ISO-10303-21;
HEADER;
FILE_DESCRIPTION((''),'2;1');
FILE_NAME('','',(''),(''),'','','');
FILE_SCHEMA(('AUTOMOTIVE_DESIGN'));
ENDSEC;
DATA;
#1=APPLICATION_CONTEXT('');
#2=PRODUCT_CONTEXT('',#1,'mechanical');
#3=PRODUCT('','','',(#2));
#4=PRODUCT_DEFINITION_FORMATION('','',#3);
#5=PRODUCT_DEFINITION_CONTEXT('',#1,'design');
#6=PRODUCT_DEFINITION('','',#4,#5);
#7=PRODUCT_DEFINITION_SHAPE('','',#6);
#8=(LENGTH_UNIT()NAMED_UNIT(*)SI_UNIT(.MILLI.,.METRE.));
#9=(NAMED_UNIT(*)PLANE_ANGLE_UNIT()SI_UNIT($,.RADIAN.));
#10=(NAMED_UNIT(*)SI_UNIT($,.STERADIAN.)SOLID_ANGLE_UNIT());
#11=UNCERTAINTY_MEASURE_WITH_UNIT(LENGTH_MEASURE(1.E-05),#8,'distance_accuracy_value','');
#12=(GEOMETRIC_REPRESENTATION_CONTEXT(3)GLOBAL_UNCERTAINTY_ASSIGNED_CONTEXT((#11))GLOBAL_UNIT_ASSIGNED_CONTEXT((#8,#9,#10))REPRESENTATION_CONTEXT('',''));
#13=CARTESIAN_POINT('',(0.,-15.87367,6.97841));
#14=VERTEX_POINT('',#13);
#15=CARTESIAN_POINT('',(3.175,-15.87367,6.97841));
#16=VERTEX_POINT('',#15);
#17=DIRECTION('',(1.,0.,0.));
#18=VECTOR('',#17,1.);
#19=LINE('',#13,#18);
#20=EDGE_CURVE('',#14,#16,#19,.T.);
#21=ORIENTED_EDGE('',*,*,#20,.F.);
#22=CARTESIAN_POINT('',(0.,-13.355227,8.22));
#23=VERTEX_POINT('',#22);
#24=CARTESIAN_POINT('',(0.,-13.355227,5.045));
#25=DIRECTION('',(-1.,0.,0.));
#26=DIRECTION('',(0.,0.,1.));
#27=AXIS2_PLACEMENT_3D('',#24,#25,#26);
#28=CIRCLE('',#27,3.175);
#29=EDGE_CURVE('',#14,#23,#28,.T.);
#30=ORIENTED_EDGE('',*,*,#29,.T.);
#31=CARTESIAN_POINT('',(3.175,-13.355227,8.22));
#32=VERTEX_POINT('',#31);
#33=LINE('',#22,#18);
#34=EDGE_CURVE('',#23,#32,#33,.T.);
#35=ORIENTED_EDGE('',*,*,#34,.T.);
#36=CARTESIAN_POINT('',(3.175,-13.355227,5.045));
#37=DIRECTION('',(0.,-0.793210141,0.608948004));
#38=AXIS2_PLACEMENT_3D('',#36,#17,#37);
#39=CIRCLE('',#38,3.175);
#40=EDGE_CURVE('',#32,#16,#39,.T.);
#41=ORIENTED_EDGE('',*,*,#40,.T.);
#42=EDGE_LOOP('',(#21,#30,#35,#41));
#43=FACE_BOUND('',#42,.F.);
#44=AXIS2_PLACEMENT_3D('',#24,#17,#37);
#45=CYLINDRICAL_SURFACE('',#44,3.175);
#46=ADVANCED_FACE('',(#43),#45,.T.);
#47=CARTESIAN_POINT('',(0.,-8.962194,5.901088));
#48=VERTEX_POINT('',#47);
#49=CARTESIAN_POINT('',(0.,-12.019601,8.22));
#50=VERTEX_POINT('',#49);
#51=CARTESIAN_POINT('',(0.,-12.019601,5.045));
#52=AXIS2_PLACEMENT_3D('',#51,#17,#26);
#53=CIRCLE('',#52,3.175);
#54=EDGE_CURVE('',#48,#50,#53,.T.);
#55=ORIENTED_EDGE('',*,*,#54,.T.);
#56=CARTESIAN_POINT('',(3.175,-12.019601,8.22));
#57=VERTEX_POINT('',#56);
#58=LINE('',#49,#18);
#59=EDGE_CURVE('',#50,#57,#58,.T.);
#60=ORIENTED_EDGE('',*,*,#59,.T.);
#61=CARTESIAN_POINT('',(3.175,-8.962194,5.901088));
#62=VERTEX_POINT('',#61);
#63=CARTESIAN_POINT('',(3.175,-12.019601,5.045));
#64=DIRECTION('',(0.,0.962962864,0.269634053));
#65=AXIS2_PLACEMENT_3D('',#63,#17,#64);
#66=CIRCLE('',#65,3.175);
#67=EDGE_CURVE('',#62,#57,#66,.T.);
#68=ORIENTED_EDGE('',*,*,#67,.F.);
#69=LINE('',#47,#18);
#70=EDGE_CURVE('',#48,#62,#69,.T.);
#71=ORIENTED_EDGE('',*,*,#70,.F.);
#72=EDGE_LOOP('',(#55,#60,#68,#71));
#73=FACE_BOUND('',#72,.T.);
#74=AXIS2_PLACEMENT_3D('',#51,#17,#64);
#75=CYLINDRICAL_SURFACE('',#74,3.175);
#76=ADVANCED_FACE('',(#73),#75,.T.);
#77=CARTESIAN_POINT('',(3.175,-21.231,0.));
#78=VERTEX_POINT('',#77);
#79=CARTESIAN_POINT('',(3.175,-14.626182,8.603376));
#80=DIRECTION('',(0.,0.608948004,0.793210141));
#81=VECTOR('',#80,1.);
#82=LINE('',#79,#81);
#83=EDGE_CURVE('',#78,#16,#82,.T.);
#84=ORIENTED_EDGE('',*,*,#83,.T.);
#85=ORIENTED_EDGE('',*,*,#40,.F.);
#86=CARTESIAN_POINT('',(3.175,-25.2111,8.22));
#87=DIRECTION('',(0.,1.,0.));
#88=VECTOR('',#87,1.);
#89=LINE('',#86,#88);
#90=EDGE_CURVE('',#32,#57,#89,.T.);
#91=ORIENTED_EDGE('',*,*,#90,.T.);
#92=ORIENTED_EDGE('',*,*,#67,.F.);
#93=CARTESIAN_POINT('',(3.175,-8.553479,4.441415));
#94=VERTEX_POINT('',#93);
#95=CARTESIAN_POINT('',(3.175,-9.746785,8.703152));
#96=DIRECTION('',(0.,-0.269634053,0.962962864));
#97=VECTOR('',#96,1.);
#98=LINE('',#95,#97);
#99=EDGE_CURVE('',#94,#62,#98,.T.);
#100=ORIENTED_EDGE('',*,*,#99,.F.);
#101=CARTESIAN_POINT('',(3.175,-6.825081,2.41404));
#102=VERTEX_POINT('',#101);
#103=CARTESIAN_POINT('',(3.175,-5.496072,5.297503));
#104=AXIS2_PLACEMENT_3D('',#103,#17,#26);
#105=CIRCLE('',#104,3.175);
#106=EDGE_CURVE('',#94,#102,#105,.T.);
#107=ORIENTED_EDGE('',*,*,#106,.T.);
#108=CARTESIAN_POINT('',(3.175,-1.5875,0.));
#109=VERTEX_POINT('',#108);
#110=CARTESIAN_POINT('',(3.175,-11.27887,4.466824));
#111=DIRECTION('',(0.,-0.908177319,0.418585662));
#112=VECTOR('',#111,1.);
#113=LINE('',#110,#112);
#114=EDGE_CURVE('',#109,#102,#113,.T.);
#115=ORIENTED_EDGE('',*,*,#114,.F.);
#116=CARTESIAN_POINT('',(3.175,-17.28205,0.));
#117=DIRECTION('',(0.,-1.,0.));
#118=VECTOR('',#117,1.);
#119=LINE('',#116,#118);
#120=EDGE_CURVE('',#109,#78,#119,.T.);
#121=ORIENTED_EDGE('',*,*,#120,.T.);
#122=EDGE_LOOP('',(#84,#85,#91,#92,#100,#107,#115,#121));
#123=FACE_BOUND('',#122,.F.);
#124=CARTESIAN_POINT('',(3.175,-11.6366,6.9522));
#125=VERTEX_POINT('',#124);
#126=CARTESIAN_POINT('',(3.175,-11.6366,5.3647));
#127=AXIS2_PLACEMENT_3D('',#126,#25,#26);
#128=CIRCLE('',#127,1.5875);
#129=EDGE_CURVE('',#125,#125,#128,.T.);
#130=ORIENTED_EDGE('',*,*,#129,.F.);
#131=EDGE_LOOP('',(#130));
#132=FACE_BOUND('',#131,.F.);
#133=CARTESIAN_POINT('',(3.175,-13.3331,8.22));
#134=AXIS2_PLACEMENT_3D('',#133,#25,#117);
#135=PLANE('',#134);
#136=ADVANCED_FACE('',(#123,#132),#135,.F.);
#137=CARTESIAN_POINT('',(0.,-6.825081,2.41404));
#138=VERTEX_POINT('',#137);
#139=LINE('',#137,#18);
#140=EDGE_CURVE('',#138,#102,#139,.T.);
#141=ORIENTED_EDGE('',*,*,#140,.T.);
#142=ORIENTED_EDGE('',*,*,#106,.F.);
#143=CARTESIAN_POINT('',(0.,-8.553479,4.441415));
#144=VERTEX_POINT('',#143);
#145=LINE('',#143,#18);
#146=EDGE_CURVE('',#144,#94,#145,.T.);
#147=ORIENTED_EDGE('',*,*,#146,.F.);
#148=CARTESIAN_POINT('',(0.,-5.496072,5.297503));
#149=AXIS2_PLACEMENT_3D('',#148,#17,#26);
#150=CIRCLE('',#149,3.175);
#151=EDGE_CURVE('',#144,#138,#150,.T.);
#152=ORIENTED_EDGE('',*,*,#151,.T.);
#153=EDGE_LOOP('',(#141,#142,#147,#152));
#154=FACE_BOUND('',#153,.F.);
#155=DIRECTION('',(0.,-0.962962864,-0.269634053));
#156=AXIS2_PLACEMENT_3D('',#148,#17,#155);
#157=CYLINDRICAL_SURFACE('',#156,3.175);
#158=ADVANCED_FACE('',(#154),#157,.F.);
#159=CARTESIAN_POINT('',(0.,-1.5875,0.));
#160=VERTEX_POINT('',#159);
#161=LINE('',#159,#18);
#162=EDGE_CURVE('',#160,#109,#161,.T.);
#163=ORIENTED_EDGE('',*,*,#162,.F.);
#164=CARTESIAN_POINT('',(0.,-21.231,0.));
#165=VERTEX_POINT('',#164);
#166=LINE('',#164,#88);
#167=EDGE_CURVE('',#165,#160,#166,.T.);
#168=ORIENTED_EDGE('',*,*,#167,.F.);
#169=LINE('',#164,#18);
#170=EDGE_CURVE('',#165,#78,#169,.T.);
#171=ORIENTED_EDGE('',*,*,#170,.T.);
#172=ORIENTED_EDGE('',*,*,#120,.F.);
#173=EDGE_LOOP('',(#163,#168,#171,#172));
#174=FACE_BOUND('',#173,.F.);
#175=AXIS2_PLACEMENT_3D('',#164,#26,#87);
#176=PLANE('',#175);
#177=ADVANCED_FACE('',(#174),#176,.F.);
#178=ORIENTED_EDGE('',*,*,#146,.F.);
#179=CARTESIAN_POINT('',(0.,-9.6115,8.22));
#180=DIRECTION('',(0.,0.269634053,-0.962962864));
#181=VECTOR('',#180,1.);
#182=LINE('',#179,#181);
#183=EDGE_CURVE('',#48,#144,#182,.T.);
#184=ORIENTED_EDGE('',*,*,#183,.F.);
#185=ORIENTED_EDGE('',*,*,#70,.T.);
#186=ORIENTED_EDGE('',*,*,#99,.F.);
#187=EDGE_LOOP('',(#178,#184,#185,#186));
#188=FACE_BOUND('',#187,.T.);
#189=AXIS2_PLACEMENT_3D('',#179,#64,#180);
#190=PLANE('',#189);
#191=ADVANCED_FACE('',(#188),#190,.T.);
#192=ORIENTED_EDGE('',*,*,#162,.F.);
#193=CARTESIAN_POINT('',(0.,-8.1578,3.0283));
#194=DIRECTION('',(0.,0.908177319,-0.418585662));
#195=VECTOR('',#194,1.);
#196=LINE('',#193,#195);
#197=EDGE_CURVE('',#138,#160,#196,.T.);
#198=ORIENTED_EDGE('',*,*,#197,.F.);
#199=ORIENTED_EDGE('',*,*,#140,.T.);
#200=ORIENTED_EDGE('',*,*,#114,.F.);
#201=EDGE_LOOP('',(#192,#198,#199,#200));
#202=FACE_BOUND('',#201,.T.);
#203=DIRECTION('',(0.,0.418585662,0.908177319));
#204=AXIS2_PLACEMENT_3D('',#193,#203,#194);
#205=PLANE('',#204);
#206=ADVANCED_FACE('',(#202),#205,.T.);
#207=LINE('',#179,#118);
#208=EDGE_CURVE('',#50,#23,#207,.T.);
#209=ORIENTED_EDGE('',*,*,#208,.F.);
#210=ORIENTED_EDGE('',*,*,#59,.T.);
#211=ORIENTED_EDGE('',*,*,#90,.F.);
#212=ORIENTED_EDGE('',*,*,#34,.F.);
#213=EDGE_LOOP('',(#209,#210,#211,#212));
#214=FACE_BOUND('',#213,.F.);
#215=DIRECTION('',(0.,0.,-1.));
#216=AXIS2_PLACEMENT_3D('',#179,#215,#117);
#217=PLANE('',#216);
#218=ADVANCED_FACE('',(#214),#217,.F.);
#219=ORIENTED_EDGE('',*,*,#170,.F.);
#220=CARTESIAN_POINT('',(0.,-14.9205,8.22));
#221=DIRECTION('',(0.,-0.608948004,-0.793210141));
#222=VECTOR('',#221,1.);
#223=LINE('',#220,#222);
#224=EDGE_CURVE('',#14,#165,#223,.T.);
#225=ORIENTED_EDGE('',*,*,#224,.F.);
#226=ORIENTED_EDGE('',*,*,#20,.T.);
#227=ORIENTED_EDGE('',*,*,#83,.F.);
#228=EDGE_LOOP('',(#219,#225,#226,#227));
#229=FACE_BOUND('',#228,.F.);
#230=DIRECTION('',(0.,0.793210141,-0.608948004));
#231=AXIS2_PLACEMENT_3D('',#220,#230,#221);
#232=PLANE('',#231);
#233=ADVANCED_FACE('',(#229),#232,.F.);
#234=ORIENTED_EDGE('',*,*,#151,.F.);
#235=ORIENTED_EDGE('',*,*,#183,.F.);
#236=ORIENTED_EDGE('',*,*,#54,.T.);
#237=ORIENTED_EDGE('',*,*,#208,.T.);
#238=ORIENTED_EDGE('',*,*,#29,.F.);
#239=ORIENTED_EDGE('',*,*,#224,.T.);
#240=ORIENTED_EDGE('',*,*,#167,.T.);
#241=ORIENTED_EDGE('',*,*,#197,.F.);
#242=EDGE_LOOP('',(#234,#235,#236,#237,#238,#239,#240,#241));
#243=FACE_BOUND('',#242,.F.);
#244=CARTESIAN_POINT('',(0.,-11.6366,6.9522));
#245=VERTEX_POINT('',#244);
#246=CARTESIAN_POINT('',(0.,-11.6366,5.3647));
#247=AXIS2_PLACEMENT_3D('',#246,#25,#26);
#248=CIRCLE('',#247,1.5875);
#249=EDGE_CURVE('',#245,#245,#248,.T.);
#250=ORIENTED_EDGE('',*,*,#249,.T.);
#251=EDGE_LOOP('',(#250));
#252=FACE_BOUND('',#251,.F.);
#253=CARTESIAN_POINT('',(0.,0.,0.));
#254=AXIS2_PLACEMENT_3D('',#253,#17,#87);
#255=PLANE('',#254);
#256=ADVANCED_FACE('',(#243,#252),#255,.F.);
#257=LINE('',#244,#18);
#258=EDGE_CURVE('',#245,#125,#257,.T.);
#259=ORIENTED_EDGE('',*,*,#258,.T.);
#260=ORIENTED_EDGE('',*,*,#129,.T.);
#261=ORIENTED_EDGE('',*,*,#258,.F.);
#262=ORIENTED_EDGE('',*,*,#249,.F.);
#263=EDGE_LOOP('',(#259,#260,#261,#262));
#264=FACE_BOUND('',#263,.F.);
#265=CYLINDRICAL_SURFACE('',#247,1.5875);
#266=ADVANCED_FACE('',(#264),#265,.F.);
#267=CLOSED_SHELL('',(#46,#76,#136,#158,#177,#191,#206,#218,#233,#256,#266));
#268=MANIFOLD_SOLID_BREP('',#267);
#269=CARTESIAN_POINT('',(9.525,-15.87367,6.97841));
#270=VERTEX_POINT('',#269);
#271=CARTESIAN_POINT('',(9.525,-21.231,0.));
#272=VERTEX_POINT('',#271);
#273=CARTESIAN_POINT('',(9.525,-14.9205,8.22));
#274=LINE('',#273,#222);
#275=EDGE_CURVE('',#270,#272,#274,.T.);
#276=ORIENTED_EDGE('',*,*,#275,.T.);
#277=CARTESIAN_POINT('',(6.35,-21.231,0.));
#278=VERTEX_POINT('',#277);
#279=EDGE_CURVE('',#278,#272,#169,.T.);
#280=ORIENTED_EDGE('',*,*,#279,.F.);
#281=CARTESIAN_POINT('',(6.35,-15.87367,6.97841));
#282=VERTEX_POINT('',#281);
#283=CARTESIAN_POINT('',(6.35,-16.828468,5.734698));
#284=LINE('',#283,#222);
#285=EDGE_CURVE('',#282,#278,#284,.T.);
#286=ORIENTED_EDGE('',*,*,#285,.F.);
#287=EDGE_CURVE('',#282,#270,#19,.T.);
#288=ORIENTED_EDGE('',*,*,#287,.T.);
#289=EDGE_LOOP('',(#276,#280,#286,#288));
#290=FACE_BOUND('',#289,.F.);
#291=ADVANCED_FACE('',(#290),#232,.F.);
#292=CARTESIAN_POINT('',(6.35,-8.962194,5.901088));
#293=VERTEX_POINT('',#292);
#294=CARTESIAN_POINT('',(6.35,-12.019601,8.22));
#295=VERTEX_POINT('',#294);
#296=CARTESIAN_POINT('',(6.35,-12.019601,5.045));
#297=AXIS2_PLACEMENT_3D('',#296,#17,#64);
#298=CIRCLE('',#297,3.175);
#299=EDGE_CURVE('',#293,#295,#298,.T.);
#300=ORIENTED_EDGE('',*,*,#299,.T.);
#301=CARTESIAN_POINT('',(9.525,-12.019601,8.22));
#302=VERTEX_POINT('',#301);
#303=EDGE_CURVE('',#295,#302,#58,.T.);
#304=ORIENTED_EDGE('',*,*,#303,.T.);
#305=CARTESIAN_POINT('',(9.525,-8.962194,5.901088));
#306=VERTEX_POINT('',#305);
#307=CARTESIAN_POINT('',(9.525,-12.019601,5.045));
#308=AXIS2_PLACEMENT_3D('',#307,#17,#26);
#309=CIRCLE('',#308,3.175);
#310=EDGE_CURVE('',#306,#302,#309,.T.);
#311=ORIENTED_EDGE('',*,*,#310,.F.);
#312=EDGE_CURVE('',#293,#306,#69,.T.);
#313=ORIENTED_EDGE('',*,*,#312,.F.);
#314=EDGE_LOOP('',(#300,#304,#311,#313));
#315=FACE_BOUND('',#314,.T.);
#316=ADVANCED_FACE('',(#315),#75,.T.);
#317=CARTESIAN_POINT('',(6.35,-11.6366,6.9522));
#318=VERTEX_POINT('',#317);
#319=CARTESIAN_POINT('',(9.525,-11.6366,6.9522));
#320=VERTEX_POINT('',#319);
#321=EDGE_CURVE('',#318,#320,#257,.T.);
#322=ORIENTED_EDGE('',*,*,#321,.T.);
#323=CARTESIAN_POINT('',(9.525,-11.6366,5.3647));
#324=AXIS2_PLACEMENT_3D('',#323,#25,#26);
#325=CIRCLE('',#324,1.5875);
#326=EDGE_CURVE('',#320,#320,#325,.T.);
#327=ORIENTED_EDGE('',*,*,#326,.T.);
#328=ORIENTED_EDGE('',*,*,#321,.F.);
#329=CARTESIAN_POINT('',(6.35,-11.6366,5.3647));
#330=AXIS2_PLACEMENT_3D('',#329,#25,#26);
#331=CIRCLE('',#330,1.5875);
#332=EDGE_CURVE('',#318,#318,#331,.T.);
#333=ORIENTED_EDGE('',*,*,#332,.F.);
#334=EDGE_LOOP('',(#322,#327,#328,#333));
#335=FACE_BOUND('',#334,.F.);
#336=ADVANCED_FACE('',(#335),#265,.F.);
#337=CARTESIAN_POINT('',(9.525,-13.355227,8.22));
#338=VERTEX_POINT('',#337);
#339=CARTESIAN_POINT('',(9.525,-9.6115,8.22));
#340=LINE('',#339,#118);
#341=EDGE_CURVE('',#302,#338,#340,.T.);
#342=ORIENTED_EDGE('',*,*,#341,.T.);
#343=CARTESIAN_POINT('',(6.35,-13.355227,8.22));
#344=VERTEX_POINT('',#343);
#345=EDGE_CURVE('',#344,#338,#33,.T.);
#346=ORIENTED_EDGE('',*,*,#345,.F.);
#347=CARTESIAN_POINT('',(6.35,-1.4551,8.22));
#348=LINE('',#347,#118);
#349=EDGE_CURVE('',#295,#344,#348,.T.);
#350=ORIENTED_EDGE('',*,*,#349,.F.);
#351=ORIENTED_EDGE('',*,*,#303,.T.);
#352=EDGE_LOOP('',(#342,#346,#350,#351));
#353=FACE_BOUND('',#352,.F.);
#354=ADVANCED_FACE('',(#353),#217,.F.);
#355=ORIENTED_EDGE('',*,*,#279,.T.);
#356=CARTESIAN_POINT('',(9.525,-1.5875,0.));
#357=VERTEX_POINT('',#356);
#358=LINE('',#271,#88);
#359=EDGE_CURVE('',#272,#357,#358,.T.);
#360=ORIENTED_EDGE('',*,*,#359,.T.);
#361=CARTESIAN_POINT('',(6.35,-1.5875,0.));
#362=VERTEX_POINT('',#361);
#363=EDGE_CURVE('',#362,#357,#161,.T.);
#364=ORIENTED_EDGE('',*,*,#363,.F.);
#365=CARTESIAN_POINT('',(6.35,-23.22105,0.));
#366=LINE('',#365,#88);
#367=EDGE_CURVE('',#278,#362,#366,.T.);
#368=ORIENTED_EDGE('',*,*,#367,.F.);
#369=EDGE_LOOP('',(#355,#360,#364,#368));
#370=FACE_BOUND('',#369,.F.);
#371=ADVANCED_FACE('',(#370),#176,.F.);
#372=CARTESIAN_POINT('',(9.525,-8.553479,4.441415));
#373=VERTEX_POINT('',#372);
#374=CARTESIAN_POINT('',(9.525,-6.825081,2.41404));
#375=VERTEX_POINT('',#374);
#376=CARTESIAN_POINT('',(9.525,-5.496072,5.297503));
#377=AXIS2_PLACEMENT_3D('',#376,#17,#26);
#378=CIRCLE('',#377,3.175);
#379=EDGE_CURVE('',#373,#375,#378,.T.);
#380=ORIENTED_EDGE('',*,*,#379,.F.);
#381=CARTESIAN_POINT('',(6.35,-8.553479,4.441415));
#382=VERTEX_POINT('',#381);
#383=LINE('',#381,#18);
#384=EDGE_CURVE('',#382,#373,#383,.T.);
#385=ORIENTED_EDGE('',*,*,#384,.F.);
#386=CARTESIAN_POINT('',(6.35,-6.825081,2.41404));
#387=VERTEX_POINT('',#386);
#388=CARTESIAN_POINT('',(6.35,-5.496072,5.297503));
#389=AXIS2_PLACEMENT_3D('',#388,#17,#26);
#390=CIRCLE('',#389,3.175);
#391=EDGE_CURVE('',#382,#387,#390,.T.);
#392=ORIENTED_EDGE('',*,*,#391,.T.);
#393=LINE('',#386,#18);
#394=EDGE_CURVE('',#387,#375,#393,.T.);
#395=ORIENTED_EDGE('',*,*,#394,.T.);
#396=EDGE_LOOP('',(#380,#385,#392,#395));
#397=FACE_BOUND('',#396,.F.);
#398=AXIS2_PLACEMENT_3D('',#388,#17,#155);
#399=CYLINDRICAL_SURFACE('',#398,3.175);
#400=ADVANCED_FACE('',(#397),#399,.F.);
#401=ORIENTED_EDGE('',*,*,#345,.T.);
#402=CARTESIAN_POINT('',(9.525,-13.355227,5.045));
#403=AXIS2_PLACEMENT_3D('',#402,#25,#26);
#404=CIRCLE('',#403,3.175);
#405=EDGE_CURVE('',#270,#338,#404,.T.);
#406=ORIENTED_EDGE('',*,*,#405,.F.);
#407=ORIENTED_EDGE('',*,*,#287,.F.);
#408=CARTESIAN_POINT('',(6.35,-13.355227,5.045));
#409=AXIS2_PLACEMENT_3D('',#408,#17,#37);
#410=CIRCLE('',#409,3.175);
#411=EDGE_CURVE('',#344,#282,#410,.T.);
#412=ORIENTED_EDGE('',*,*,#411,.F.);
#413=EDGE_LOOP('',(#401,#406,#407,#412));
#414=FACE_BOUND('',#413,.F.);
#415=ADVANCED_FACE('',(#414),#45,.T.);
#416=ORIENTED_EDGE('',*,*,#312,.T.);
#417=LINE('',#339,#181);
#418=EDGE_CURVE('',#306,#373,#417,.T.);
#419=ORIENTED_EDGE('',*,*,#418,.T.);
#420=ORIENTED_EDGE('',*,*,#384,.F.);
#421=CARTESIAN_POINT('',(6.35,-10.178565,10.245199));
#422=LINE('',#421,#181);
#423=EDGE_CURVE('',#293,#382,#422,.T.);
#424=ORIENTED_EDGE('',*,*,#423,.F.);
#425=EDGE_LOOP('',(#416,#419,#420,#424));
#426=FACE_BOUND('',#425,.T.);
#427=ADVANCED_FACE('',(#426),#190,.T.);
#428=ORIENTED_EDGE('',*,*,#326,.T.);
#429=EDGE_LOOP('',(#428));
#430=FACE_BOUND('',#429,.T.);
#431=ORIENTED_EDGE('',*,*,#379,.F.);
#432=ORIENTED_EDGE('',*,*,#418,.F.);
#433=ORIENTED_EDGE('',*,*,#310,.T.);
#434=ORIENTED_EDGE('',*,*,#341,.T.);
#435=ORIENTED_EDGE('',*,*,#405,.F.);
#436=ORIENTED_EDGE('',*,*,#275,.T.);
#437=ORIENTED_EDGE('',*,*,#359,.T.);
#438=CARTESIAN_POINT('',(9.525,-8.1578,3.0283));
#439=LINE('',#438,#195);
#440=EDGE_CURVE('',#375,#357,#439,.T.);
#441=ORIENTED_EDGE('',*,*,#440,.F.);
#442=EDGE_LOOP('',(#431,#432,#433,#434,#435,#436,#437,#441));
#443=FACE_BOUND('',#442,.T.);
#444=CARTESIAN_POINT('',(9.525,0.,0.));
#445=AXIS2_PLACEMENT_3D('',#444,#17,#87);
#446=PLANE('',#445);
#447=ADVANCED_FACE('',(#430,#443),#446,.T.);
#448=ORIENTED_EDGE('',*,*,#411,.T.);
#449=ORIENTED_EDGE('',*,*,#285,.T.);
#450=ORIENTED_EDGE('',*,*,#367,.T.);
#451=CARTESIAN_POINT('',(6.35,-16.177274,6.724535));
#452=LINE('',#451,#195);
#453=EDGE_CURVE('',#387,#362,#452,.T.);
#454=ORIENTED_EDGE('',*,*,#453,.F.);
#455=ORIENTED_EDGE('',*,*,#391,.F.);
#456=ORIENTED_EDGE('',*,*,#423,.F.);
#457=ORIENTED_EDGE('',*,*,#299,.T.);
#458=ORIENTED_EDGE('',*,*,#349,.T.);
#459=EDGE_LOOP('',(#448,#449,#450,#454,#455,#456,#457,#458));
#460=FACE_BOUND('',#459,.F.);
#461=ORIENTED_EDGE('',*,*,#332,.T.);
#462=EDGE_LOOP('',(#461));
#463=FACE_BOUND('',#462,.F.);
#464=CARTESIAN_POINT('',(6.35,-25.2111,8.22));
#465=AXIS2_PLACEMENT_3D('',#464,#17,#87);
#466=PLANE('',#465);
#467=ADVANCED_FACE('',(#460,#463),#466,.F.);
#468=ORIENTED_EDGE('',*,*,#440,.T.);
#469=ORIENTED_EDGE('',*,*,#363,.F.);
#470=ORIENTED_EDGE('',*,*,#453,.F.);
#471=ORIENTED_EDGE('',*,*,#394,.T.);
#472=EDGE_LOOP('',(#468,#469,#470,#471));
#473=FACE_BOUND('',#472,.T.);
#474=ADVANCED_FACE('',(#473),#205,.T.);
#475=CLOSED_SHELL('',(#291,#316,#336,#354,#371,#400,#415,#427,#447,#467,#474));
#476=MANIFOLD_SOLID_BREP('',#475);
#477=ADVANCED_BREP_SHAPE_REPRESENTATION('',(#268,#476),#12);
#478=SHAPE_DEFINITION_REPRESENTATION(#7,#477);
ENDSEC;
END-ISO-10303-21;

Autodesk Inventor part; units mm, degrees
ref_plane "YZ Plane" through (0, 0, 0) normal (1, 0, 0) x (0, 1, 0)
ref_plane "XZ Plane" through (0, 0, 0) normal (0, 1, 0) x (-1, 0, 0)
ref_plane "XY Plane" through (0, 0, 0) normal (0, 0, 1) x (1, 0, 0)
sketch "Sketch1" plane through (0, 0, 0) normal (1, 0, 0) x (0, 1, 0)
  line L0 (-9.6115, 8.22) -> (-14.9205, 8.22)
  line L1 (-14.9205, 8.22) -> (-21.231, 0)
  line L2 (-21.231, 0) -> (-1.5875, 0)
  line L3 (-9.6115, 8.22) -> (-8.1578, 3.0283)
  line L4 (-8.1578, 3.0283) -> (-1.5875, 0)
  point P0 (0, 0)
extrude "Extrusion1" add sketch "Sketch1" along normal blind 9.525
fillet "Fillet1" radius 3.175 2 edges at (4.7625, -9.6115, 8.22) (4.7625, -14.9205, 8.22)
sketch "Sketch3" plane through (0, -13.3553, 8.22) normal (0, 0, 1) x (1, 0, 0)
  line L0 (6.35, -11.8558) -> (6.35, 11.9002)
  line L1 (6.35, 11.9002) -> (3.175, 11.9002)
  line L2 (3.175, 11.9002) -> (3.175, -11.8558)
  line L3 (3.175, -11.8558) -> (6.35, -11.8558)
  line L4 (0, 0.0222) -> (9.525, 0.0222) projected
  line L5 (6.35, -11.8558) -> (3.175, 11.9002) construction
  line L6 (6.35, 11.9002) -> (3.175, -11.8558) construction
  point P0 (0, 13.3553)
  point P1 (4.7625, 0.0222)
extrude "Extrusion2" cut sketch "Sketch3" against normal blind 9.525
sketch "Sketch4" plane through (0, 0, 0) normal (-1, 0, 0) x (0, 0, 1)
  circle A0 centre (5.3647, -11.6366) radius 1.5875
  point P0 (0, 0)
extrude "Extrusion3" cut sketch "Sketch4" against normal blind 9.525
fillet "Fillet2" radius 3.175 2 edges at (1.5875, -8.1578, 3.0283) (7.9375, -8.1578, 3.0283)
properties part number "LeverHolder"
